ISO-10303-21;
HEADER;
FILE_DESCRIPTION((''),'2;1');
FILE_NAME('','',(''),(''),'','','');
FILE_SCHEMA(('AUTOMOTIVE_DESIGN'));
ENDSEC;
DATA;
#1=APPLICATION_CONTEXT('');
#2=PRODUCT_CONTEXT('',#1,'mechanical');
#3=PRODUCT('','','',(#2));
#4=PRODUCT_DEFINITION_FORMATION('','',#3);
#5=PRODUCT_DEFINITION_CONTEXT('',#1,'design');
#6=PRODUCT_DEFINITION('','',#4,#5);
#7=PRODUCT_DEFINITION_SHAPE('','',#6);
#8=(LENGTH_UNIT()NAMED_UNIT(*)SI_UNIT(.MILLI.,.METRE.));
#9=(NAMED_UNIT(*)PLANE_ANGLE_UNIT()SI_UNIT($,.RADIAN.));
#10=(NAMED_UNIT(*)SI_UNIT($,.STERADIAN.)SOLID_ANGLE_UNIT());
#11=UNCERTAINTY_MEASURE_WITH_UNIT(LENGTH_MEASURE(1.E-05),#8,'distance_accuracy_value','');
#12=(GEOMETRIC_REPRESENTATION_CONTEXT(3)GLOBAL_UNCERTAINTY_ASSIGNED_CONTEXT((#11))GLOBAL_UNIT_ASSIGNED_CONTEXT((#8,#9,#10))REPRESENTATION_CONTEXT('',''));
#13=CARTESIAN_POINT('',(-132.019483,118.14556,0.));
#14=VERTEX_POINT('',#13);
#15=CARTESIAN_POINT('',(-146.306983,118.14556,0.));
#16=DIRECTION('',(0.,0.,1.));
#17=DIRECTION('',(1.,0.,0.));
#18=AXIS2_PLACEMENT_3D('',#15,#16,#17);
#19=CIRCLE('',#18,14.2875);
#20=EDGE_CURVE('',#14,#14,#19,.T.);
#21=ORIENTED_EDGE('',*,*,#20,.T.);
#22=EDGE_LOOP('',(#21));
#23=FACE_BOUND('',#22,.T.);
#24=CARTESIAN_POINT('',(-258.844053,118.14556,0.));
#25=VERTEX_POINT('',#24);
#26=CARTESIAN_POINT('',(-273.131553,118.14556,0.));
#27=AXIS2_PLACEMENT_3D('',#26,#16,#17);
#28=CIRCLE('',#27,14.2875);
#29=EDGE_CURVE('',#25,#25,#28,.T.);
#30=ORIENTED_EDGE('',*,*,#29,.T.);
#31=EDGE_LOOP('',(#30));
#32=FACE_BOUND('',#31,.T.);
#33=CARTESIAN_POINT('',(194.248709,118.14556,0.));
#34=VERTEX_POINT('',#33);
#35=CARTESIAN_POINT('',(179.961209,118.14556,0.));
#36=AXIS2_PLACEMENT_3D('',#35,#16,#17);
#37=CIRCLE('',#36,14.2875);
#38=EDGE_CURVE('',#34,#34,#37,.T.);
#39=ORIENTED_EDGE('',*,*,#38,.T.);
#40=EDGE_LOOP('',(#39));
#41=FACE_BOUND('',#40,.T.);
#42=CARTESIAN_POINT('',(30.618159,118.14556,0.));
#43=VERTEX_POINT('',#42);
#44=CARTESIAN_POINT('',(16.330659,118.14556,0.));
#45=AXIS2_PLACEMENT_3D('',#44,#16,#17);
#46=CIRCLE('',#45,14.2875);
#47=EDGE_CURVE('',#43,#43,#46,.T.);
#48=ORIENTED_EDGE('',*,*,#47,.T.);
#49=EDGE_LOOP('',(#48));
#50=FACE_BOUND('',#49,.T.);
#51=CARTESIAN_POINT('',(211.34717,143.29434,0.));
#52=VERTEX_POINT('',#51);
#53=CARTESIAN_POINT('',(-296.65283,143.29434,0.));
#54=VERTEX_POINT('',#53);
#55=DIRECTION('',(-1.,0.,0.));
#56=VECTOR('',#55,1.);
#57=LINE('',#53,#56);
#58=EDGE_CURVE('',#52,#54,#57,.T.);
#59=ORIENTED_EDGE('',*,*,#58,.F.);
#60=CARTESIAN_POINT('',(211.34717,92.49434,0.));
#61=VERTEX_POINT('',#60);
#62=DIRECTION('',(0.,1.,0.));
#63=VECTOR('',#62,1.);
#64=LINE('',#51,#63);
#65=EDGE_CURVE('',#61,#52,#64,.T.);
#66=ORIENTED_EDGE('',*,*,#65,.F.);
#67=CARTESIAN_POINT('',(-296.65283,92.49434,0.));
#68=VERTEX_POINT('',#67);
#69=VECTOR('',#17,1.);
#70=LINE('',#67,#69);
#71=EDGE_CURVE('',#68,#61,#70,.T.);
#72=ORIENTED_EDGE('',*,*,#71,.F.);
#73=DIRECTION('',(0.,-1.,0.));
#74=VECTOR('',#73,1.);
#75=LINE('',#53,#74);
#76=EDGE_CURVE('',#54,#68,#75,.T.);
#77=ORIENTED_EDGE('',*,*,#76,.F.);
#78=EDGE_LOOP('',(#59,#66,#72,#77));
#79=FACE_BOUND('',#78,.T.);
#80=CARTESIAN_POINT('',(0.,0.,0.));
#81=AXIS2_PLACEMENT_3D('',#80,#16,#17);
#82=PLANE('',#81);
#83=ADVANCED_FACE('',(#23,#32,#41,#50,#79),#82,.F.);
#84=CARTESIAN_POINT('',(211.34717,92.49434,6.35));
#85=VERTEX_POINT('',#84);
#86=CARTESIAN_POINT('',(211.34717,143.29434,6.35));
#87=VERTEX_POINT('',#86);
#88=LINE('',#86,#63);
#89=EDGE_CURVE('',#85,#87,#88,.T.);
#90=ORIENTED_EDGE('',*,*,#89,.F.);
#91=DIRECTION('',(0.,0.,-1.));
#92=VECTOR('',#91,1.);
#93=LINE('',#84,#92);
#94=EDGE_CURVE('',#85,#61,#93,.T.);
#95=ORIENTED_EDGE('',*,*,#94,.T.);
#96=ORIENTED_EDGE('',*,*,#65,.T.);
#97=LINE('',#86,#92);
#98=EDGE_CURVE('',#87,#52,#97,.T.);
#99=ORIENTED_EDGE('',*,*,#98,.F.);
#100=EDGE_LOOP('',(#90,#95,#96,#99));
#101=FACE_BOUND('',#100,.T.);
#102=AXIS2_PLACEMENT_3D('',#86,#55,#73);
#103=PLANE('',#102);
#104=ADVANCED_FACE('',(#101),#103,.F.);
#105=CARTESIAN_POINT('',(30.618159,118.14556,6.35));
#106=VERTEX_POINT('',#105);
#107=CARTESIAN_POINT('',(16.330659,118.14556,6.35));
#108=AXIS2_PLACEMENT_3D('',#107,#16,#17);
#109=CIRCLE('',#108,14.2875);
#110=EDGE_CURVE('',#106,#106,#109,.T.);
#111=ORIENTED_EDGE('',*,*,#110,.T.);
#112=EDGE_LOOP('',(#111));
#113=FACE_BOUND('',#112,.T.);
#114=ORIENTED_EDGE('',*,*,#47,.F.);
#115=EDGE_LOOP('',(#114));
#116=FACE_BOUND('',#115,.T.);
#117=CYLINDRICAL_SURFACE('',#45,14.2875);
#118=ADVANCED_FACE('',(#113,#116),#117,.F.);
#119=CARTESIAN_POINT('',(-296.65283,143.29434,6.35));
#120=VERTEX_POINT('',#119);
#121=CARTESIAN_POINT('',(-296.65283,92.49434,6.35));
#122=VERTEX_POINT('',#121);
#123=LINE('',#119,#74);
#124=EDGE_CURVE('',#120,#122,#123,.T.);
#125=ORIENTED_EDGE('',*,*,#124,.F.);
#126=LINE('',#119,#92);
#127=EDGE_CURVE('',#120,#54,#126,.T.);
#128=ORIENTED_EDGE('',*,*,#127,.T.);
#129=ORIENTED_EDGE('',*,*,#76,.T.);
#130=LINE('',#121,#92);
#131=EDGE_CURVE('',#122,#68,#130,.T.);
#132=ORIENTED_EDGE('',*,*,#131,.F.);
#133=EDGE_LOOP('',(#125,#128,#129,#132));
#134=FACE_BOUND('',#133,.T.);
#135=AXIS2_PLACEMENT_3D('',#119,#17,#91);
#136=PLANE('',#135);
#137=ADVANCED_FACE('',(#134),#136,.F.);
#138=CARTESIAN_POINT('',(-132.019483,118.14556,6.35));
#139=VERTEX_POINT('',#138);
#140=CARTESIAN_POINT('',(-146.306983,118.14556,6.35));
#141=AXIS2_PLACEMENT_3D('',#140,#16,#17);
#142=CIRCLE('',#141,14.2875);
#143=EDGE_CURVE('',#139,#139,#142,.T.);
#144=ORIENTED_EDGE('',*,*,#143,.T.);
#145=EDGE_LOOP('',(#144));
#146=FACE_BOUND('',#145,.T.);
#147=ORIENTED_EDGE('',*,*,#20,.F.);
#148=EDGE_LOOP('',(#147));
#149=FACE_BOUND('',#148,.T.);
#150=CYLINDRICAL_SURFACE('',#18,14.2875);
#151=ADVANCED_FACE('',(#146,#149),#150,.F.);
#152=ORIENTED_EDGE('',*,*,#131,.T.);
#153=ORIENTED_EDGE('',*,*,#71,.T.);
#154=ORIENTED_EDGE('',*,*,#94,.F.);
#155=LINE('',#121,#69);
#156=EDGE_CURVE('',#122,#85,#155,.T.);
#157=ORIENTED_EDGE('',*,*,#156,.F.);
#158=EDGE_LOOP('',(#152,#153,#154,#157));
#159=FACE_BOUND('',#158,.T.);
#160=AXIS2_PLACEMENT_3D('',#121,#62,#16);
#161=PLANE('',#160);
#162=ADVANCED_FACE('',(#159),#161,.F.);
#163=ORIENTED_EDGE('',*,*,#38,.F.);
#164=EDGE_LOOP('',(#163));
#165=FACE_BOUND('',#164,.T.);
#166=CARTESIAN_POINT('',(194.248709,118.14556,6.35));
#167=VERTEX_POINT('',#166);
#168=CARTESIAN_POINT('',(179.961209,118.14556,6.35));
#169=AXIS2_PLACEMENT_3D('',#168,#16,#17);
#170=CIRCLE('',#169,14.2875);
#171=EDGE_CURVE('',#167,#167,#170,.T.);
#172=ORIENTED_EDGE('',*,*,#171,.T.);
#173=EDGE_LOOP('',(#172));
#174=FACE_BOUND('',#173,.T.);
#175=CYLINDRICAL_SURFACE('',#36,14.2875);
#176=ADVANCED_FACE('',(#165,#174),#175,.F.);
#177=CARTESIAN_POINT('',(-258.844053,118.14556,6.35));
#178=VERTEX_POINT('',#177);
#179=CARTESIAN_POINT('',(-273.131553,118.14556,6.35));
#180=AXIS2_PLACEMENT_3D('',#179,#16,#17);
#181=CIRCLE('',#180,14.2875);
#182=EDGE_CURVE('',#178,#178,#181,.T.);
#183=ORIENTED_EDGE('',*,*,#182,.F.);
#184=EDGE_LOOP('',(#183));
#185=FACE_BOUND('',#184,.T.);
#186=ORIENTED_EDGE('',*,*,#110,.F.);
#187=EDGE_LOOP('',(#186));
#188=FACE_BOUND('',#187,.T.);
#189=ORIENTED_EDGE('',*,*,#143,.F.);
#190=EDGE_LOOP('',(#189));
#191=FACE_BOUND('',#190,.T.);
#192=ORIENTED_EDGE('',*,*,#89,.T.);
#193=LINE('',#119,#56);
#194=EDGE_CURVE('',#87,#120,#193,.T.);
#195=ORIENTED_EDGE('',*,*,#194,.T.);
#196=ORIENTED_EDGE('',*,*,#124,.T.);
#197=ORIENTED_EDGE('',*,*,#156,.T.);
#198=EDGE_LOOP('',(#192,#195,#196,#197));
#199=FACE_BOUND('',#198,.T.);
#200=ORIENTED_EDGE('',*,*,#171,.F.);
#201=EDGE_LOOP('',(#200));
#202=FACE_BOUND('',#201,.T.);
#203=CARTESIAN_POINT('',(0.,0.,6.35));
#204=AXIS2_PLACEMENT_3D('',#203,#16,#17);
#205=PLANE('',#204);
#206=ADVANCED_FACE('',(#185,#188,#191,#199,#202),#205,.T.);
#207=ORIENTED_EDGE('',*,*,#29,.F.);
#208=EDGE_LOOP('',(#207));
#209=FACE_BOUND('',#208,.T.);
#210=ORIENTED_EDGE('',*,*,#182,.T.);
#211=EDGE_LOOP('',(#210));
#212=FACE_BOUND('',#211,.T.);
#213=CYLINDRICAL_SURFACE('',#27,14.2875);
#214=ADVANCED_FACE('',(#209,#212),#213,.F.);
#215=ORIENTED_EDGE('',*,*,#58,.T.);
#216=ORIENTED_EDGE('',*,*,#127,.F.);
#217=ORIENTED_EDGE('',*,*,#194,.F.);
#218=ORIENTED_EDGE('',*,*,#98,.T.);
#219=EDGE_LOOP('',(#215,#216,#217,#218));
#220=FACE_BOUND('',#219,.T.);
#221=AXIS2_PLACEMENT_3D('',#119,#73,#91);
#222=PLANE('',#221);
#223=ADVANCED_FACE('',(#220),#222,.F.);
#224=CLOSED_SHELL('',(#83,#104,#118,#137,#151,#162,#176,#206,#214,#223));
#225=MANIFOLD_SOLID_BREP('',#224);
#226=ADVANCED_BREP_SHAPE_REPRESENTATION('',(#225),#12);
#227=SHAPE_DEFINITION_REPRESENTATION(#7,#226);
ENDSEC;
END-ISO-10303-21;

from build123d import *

# Parameters (mm, degrees)
SKETCH1_W           = 508
SKETCH1_H           = 50.8
BOSS_EXTRUDE1_DEPTH = 6.35
SKETCH2_R           = 14.2875
CUT_EXTRUDE1_DEPTH  = 6.35


with BuildPart() as part:
    # Sketch1 → Boss-Extrude1 (new body)
    with BuildSketch(Plane.XY):
        with Locations((-42.652830189, 117.894339623)):
            Rectangle(SKETCH1_W, SKETCH1_H)
    extrude(amount=BOSS_EXTRUDE1_DEPTH)

    # Sketch2 → Cut-Extrude1 (cut)
    with BuildSketch(Plane.XY.offset(6.35)):
        with Locations((-273.13155321, 118.145560078)):
            Circle(SKETCH2_R)
        with Locations((179.961208928, 118.145560078)):
            Circle(SKETCH2_R)
        with Locations((-146.306982812, 118.145560078)):
            Circle(SKETCH2_R)
        with Locations((16.330659438, 118.145560078)):
            Circle(SKETCH2_R)
    extrude(amount=-CUT_EXTRUDE1_DEPTH, mode=Mode.SUBTRACT)


solid = part.part
